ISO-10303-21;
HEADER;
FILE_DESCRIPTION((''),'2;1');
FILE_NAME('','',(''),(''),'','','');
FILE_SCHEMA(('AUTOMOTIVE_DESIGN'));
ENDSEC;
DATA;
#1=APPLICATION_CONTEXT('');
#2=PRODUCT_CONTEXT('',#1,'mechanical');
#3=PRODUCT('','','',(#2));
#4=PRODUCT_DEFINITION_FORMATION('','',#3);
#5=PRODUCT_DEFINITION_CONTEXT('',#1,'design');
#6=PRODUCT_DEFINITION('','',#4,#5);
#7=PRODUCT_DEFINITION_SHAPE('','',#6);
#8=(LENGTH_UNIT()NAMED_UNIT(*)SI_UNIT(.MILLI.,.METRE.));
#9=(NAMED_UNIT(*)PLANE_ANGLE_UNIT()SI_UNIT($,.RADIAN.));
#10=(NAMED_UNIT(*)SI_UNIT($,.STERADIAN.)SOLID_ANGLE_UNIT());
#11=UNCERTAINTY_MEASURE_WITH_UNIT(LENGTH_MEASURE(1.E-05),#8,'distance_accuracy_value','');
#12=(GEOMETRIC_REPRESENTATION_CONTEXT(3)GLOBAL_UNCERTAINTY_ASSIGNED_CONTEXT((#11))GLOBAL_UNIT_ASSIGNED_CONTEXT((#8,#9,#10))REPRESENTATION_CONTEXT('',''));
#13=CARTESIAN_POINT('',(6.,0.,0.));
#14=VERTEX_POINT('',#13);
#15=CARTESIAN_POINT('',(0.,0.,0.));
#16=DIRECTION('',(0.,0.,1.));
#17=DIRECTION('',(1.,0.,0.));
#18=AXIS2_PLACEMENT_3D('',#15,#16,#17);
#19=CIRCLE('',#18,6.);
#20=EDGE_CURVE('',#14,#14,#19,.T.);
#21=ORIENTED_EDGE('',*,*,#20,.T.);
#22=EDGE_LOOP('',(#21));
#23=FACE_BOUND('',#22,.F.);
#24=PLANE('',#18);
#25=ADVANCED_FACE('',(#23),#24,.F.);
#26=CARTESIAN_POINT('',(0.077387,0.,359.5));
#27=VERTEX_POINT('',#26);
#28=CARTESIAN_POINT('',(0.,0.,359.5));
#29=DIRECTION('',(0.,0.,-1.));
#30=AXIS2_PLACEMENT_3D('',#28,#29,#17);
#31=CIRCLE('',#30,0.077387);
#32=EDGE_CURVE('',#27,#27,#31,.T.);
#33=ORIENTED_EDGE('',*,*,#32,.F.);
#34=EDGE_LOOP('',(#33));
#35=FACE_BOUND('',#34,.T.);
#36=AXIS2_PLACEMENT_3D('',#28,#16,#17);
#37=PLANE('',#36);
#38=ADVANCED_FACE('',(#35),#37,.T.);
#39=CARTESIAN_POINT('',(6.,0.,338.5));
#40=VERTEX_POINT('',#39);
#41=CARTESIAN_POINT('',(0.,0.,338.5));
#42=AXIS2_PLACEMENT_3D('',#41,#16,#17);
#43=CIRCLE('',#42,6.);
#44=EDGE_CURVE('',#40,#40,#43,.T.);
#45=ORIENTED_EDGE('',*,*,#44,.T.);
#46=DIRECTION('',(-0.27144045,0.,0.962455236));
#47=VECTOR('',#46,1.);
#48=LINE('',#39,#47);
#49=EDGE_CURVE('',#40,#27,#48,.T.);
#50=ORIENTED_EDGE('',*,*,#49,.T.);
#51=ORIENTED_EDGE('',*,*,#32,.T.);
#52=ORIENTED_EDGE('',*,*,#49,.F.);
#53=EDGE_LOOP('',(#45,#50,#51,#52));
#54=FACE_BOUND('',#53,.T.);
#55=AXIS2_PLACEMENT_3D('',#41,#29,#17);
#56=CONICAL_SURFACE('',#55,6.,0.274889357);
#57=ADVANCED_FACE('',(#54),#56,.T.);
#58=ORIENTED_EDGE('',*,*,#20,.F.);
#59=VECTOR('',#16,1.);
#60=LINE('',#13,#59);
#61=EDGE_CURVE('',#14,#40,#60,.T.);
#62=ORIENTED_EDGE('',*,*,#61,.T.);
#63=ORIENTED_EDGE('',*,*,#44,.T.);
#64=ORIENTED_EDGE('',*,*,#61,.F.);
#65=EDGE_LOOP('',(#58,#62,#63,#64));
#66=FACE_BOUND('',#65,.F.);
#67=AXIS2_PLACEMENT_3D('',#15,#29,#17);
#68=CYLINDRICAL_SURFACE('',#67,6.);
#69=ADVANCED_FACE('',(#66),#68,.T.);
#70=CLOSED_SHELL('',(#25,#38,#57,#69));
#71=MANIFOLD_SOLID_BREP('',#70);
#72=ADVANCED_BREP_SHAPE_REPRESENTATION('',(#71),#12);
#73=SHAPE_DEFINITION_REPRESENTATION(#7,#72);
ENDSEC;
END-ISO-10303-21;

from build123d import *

# Parameters (mm, degrees)
F0_R     = 6
F1_DEPTH = 338.5
F2_R     = 6
F3_DEPTH = 21
F3_TAPER = 15.75


with BuildPart() as f1:
    # F0 (on Top) → F1 (new body)
    with BuildSketch(Plane.XY):
        Circle(F0_R)
    extrude(amount=F1_DEPTH)

    # F2 (on face) → F3 (join)
    with BuildSketch(Plane.XY.offset(338.5)):
        Circle(F2_R)
    extrude(amount=F3_DEPTH, taper=F3_TAPER)


solid = f1.part
